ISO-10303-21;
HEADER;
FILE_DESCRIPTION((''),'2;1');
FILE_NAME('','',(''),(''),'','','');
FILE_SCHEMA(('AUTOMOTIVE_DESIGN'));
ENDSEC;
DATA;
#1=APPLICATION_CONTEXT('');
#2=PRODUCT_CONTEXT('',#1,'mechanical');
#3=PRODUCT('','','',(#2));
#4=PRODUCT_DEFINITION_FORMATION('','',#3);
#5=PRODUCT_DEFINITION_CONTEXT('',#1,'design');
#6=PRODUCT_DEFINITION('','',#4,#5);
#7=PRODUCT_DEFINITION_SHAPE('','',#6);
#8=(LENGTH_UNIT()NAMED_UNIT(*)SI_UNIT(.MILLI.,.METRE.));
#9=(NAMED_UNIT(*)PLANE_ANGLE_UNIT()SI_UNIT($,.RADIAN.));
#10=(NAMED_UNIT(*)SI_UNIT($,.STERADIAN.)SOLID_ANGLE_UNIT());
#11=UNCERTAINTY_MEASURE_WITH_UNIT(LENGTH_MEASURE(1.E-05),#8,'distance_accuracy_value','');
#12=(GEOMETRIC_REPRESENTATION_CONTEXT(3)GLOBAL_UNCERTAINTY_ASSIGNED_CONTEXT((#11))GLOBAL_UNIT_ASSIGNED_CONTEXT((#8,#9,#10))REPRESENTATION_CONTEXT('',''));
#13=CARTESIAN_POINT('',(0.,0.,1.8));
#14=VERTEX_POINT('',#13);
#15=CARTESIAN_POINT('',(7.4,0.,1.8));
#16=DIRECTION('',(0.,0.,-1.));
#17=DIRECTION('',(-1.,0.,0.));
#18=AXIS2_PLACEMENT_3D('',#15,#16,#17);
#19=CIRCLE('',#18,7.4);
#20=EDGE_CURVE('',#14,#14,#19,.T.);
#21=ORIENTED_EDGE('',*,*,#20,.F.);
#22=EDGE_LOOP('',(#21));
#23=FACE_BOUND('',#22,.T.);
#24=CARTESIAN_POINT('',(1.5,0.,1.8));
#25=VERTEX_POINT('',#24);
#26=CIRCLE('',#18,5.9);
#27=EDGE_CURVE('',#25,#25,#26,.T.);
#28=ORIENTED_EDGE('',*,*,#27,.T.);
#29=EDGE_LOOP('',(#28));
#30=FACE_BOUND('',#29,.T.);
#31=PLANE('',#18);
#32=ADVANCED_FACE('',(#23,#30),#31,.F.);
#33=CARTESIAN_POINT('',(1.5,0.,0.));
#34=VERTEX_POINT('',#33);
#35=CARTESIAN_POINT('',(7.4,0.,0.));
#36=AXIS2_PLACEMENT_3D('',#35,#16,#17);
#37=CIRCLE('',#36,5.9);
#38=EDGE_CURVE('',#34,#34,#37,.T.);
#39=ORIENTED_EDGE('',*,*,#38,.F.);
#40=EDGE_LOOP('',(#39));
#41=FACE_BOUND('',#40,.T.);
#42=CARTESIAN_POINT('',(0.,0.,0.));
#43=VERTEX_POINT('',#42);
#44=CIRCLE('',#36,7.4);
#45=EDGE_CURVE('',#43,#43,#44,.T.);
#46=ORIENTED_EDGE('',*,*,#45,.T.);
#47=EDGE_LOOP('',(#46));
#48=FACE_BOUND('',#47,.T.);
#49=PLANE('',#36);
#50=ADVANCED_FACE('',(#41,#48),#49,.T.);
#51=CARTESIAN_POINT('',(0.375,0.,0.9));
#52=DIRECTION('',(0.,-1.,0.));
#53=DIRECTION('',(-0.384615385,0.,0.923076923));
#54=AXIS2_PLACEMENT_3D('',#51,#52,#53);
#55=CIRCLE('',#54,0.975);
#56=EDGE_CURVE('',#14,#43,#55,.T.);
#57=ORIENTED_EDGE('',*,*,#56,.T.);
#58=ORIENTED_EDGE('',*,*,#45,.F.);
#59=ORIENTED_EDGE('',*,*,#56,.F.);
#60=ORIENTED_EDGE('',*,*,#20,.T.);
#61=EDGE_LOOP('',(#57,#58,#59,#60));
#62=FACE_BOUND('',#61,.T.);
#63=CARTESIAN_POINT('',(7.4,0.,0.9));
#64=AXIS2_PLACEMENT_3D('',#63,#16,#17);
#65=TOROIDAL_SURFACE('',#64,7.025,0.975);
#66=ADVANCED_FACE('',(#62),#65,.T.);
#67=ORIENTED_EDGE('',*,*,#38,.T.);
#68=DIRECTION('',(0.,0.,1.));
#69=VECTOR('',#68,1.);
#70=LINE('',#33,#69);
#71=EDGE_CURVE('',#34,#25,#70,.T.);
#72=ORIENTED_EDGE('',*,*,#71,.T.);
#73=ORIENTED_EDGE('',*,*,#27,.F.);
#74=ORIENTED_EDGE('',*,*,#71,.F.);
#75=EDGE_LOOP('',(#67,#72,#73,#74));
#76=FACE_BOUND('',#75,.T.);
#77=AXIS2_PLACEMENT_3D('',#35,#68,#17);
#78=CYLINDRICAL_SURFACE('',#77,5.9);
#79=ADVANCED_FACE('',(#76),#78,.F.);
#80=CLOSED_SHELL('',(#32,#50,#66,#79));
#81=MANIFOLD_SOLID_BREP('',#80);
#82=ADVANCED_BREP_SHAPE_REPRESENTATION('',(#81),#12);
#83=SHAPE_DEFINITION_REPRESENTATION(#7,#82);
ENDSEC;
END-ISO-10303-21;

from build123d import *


with BuildPart() as f1:
    # F0 (on Front) → F1 (revolve)
    with BuildSketch(Plane.XZ):
        with BuildLine():
            Line((1.5, 1.8), (0, 1.8))
            ThreePointArc((0, 1.8), (-0.6, 0.9), (0, 0))
            Line((0, 0), (1.5, 0))
            Line((1.5, 0), (1.5, 1.8))
        make_face()
    revolve(axis=Axis((7.4, 0, 0.314722), (0, 0, -1)))


solid = f1.part
